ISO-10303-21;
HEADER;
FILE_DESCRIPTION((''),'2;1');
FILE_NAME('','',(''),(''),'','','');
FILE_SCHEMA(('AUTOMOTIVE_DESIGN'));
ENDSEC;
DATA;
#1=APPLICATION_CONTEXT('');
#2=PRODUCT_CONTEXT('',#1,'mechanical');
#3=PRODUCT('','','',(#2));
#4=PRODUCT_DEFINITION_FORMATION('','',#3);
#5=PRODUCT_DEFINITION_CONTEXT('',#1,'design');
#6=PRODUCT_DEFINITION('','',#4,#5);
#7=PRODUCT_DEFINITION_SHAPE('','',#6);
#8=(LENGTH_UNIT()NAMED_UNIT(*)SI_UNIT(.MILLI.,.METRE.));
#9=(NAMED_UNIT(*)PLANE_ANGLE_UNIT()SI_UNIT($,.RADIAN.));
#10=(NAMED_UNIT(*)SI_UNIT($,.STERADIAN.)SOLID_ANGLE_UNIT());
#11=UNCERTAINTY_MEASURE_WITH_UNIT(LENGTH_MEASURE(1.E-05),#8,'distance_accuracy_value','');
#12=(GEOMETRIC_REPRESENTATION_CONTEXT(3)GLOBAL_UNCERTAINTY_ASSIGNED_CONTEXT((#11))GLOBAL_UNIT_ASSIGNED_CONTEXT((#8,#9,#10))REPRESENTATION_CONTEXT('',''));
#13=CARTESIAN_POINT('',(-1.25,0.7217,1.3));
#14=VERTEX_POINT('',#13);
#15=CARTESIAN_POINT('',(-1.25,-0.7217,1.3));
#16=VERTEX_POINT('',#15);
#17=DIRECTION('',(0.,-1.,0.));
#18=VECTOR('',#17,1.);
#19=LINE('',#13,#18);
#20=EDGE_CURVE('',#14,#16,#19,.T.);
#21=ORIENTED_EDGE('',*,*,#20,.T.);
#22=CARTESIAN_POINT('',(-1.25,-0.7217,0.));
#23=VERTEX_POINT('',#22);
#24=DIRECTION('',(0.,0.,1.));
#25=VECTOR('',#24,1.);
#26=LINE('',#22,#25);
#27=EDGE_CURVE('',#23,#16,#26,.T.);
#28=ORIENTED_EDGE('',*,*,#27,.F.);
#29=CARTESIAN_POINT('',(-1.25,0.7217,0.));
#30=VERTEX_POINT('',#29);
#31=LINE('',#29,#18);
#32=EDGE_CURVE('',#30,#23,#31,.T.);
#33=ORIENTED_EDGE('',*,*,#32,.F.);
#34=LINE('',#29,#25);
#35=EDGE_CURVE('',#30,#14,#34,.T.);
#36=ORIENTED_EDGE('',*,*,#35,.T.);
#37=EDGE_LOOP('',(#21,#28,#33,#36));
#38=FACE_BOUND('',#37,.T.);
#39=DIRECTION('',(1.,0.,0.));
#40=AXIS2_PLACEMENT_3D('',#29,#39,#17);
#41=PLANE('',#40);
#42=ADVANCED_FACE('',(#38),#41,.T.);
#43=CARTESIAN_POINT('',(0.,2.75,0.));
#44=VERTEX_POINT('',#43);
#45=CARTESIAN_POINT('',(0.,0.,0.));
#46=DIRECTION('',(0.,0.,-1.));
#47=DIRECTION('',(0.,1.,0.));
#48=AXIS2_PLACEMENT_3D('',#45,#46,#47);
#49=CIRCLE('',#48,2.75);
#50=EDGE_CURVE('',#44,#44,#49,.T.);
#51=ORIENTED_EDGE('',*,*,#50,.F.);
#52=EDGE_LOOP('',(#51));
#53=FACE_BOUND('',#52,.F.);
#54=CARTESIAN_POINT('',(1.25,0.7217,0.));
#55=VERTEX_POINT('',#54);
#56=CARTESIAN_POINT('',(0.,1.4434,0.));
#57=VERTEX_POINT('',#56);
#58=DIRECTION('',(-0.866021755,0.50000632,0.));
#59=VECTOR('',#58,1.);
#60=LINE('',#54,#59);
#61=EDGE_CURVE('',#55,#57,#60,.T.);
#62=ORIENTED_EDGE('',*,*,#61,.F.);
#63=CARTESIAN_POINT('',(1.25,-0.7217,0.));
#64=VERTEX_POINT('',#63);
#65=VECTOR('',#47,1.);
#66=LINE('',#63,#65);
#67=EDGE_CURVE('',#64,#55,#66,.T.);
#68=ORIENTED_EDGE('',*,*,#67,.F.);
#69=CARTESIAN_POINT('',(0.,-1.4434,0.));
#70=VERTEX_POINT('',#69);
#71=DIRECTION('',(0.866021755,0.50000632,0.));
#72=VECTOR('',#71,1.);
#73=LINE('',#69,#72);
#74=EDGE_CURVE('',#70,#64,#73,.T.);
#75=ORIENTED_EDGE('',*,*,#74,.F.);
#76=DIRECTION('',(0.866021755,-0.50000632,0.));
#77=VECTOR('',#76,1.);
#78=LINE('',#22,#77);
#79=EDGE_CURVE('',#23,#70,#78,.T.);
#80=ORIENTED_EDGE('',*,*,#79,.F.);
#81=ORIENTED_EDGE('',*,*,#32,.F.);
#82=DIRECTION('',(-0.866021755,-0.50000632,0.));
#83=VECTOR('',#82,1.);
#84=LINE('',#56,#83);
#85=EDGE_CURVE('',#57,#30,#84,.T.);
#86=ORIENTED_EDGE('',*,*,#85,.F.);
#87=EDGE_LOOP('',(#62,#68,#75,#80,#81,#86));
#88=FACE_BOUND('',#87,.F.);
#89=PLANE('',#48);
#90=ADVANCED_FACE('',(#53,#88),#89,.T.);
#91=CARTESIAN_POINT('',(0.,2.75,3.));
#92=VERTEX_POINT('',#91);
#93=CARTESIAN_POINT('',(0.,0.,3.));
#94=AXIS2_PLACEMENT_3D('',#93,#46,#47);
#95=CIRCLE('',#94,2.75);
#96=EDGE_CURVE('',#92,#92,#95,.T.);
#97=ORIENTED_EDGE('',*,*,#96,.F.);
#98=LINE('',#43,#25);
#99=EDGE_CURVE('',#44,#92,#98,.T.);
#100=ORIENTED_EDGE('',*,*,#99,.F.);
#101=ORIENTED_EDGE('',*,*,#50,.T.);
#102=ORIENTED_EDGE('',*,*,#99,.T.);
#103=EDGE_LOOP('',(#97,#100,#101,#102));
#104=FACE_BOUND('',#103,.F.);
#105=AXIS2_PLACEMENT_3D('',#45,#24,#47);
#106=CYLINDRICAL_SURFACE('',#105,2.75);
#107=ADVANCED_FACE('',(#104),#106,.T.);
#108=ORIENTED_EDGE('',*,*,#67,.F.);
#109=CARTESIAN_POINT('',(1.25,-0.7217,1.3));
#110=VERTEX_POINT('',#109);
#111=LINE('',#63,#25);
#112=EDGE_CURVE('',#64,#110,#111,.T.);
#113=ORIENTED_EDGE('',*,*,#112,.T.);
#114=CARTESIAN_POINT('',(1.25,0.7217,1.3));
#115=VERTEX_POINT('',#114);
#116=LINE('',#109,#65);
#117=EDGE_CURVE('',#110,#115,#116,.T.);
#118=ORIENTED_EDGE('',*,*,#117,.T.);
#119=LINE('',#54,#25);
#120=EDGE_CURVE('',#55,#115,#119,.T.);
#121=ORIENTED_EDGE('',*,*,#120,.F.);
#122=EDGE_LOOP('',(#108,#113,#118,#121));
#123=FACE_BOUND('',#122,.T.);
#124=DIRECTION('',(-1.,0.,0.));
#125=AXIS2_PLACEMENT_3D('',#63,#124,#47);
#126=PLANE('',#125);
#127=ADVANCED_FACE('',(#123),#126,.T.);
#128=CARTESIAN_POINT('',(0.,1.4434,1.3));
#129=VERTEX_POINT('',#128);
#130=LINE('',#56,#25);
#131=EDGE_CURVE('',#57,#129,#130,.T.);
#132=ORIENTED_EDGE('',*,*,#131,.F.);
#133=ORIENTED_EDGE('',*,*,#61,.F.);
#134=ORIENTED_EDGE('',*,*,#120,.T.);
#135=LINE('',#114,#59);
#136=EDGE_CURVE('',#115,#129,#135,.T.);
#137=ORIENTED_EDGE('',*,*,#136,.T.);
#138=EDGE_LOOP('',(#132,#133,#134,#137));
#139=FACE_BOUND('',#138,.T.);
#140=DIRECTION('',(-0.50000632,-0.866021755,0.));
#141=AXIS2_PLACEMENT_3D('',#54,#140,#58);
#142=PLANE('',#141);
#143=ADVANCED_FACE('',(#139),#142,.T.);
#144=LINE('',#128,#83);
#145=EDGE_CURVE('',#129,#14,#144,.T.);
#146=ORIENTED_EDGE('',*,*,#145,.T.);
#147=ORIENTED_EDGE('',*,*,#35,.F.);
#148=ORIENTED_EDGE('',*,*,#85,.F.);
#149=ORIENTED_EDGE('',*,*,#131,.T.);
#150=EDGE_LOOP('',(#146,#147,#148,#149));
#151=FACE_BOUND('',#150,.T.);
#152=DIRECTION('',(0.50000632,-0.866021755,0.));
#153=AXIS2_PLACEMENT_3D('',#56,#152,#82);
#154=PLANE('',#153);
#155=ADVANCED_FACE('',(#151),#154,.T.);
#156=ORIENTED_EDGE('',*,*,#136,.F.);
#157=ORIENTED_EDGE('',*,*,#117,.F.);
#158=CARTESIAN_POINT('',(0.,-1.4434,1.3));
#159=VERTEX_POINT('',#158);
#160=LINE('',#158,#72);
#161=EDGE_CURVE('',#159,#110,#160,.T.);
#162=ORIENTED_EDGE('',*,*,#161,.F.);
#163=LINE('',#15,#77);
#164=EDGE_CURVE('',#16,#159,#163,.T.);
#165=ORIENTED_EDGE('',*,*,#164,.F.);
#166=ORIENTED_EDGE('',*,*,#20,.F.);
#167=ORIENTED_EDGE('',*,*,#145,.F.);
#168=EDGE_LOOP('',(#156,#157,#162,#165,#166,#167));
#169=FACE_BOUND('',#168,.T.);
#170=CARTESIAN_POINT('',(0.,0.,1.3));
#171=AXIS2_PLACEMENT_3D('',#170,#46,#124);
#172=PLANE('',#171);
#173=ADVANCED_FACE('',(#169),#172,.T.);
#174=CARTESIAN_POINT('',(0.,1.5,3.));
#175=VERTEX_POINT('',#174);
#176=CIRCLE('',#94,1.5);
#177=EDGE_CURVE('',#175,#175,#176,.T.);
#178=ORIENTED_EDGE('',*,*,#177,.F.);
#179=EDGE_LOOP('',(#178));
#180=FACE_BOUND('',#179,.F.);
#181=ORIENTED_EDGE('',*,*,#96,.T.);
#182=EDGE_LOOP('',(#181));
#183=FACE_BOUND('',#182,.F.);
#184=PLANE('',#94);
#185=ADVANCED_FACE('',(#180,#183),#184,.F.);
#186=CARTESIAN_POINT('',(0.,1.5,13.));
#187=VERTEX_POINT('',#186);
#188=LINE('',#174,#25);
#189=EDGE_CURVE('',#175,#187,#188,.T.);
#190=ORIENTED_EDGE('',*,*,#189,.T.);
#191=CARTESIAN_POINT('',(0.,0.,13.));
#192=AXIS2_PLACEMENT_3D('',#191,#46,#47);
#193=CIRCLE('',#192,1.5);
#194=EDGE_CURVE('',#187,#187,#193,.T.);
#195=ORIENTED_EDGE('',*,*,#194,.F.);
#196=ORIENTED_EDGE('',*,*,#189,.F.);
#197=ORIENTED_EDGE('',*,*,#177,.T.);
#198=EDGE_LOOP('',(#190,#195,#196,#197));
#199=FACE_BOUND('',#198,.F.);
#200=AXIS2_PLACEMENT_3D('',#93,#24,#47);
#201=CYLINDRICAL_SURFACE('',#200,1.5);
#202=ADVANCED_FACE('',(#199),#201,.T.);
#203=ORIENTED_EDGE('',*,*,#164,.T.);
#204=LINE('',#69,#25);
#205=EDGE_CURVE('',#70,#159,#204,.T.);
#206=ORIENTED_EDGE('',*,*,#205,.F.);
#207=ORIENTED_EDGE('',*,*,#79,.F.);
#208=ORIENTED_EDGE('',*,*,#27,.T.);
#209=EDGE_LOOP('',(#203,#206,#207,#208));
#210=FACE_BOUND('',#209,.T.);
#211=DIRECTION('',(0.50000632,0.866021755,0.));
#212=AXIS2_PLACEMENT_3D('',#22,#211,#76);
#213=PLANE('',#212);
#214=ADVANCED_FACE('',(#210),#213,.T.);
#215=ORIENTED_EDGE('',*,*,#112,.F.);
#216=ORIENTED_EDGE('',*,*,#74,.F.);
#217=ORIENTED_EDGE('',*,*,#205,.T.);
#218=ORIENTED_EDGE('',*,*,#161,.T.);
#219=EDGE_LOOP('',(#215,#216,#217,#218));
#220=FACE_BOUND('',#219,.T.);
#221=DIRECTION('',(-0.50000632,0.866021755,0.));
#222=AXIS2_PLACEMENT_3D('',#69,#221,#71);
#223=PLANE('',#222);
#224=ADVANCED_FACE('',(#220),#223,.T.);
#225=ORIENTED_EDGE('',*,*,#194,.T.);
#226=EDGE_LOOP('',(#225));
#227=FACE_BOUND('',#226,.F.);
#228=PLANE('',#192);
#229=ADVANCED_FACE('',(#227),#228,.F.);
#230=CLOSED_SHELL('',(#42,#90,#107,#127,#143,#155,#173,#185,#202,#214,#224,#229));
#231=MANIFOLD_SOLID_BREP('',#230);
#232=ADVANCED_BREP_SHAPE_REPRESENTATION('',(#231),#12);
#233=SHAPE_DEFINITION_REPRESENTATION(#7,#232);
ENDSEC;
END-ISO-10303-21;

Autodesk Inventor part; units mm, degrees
ref_plane "YZ Plane" through (0, 0, 0) normal (1, 0, 0) x (0, 1, 0)
ref_plane "XZ Plane" through (0, 0, 0) normal (0, 1, 0) x (-1, 0, 0)
ref_plane "XY Plane" through (0, 0, 0) normal (0, 0, 1) x (1, 0, 0)
sketch "スケッチ1" plane through (0, 0, 0) normal (1, 0, 0) x (0, 1, 0)
  line L0 (0, 13) -> (0, 0)
  line L1 (0, 0) -> (2.75, 0)
  line L2 (2.75, 0) -> (2.75, 3)
  line L3 (2.75, 3) -> (1.5, 3)
  line L4 (1.5, 3) -> (1.5, 13)
  line L5 (1.5, 13) -> (0, 13)
  dimension "d2" = 3
  dimension "d10" = 10
  dimension "d11" = 3
  dimension "d12" = 5.5
revolve "回転1" add sketch "スケッチ1" angle 360 about axis through (0, 0, 13) along (0, 0, -1)
thread "ねじ1" size "M3x0.5" class "6g" standard "ANSI Metric M Profile" full length
sketch "スケッチ2" plane through (0, 0, 0) normal (0, 0, -1) x (-1, 0, 0)
  line L0 (0, 1.4434) -> (1.25, 0.7217)
  line L1 (1.25, 0.7217) -> (1.25, -0.7217)
  line L2 (1.25, -0.7217) -> (0, -1.4434)
  line L3 (0, -1.4434) -> (-1.25, -0.7217)
  line L4 (-1.25, -0.7217) -> (-1.25, 0.7217)
  line L5 (-1.25, 0.7217) -> (0, 1.4434)
  circle A0 centre (0, 0) radius 2.75 projected
  line L6 (0, 2.75) -> (0, -2.75) construction
  dimension "d7" = 2.5
extrude "押し出し1" cut sketch "スケッチ2" against normal blind 1.3 contours L0 L1 L2 L3 L4 L5
properties part number "UC-0310" material "ステンレス鋼 AISI 304"
